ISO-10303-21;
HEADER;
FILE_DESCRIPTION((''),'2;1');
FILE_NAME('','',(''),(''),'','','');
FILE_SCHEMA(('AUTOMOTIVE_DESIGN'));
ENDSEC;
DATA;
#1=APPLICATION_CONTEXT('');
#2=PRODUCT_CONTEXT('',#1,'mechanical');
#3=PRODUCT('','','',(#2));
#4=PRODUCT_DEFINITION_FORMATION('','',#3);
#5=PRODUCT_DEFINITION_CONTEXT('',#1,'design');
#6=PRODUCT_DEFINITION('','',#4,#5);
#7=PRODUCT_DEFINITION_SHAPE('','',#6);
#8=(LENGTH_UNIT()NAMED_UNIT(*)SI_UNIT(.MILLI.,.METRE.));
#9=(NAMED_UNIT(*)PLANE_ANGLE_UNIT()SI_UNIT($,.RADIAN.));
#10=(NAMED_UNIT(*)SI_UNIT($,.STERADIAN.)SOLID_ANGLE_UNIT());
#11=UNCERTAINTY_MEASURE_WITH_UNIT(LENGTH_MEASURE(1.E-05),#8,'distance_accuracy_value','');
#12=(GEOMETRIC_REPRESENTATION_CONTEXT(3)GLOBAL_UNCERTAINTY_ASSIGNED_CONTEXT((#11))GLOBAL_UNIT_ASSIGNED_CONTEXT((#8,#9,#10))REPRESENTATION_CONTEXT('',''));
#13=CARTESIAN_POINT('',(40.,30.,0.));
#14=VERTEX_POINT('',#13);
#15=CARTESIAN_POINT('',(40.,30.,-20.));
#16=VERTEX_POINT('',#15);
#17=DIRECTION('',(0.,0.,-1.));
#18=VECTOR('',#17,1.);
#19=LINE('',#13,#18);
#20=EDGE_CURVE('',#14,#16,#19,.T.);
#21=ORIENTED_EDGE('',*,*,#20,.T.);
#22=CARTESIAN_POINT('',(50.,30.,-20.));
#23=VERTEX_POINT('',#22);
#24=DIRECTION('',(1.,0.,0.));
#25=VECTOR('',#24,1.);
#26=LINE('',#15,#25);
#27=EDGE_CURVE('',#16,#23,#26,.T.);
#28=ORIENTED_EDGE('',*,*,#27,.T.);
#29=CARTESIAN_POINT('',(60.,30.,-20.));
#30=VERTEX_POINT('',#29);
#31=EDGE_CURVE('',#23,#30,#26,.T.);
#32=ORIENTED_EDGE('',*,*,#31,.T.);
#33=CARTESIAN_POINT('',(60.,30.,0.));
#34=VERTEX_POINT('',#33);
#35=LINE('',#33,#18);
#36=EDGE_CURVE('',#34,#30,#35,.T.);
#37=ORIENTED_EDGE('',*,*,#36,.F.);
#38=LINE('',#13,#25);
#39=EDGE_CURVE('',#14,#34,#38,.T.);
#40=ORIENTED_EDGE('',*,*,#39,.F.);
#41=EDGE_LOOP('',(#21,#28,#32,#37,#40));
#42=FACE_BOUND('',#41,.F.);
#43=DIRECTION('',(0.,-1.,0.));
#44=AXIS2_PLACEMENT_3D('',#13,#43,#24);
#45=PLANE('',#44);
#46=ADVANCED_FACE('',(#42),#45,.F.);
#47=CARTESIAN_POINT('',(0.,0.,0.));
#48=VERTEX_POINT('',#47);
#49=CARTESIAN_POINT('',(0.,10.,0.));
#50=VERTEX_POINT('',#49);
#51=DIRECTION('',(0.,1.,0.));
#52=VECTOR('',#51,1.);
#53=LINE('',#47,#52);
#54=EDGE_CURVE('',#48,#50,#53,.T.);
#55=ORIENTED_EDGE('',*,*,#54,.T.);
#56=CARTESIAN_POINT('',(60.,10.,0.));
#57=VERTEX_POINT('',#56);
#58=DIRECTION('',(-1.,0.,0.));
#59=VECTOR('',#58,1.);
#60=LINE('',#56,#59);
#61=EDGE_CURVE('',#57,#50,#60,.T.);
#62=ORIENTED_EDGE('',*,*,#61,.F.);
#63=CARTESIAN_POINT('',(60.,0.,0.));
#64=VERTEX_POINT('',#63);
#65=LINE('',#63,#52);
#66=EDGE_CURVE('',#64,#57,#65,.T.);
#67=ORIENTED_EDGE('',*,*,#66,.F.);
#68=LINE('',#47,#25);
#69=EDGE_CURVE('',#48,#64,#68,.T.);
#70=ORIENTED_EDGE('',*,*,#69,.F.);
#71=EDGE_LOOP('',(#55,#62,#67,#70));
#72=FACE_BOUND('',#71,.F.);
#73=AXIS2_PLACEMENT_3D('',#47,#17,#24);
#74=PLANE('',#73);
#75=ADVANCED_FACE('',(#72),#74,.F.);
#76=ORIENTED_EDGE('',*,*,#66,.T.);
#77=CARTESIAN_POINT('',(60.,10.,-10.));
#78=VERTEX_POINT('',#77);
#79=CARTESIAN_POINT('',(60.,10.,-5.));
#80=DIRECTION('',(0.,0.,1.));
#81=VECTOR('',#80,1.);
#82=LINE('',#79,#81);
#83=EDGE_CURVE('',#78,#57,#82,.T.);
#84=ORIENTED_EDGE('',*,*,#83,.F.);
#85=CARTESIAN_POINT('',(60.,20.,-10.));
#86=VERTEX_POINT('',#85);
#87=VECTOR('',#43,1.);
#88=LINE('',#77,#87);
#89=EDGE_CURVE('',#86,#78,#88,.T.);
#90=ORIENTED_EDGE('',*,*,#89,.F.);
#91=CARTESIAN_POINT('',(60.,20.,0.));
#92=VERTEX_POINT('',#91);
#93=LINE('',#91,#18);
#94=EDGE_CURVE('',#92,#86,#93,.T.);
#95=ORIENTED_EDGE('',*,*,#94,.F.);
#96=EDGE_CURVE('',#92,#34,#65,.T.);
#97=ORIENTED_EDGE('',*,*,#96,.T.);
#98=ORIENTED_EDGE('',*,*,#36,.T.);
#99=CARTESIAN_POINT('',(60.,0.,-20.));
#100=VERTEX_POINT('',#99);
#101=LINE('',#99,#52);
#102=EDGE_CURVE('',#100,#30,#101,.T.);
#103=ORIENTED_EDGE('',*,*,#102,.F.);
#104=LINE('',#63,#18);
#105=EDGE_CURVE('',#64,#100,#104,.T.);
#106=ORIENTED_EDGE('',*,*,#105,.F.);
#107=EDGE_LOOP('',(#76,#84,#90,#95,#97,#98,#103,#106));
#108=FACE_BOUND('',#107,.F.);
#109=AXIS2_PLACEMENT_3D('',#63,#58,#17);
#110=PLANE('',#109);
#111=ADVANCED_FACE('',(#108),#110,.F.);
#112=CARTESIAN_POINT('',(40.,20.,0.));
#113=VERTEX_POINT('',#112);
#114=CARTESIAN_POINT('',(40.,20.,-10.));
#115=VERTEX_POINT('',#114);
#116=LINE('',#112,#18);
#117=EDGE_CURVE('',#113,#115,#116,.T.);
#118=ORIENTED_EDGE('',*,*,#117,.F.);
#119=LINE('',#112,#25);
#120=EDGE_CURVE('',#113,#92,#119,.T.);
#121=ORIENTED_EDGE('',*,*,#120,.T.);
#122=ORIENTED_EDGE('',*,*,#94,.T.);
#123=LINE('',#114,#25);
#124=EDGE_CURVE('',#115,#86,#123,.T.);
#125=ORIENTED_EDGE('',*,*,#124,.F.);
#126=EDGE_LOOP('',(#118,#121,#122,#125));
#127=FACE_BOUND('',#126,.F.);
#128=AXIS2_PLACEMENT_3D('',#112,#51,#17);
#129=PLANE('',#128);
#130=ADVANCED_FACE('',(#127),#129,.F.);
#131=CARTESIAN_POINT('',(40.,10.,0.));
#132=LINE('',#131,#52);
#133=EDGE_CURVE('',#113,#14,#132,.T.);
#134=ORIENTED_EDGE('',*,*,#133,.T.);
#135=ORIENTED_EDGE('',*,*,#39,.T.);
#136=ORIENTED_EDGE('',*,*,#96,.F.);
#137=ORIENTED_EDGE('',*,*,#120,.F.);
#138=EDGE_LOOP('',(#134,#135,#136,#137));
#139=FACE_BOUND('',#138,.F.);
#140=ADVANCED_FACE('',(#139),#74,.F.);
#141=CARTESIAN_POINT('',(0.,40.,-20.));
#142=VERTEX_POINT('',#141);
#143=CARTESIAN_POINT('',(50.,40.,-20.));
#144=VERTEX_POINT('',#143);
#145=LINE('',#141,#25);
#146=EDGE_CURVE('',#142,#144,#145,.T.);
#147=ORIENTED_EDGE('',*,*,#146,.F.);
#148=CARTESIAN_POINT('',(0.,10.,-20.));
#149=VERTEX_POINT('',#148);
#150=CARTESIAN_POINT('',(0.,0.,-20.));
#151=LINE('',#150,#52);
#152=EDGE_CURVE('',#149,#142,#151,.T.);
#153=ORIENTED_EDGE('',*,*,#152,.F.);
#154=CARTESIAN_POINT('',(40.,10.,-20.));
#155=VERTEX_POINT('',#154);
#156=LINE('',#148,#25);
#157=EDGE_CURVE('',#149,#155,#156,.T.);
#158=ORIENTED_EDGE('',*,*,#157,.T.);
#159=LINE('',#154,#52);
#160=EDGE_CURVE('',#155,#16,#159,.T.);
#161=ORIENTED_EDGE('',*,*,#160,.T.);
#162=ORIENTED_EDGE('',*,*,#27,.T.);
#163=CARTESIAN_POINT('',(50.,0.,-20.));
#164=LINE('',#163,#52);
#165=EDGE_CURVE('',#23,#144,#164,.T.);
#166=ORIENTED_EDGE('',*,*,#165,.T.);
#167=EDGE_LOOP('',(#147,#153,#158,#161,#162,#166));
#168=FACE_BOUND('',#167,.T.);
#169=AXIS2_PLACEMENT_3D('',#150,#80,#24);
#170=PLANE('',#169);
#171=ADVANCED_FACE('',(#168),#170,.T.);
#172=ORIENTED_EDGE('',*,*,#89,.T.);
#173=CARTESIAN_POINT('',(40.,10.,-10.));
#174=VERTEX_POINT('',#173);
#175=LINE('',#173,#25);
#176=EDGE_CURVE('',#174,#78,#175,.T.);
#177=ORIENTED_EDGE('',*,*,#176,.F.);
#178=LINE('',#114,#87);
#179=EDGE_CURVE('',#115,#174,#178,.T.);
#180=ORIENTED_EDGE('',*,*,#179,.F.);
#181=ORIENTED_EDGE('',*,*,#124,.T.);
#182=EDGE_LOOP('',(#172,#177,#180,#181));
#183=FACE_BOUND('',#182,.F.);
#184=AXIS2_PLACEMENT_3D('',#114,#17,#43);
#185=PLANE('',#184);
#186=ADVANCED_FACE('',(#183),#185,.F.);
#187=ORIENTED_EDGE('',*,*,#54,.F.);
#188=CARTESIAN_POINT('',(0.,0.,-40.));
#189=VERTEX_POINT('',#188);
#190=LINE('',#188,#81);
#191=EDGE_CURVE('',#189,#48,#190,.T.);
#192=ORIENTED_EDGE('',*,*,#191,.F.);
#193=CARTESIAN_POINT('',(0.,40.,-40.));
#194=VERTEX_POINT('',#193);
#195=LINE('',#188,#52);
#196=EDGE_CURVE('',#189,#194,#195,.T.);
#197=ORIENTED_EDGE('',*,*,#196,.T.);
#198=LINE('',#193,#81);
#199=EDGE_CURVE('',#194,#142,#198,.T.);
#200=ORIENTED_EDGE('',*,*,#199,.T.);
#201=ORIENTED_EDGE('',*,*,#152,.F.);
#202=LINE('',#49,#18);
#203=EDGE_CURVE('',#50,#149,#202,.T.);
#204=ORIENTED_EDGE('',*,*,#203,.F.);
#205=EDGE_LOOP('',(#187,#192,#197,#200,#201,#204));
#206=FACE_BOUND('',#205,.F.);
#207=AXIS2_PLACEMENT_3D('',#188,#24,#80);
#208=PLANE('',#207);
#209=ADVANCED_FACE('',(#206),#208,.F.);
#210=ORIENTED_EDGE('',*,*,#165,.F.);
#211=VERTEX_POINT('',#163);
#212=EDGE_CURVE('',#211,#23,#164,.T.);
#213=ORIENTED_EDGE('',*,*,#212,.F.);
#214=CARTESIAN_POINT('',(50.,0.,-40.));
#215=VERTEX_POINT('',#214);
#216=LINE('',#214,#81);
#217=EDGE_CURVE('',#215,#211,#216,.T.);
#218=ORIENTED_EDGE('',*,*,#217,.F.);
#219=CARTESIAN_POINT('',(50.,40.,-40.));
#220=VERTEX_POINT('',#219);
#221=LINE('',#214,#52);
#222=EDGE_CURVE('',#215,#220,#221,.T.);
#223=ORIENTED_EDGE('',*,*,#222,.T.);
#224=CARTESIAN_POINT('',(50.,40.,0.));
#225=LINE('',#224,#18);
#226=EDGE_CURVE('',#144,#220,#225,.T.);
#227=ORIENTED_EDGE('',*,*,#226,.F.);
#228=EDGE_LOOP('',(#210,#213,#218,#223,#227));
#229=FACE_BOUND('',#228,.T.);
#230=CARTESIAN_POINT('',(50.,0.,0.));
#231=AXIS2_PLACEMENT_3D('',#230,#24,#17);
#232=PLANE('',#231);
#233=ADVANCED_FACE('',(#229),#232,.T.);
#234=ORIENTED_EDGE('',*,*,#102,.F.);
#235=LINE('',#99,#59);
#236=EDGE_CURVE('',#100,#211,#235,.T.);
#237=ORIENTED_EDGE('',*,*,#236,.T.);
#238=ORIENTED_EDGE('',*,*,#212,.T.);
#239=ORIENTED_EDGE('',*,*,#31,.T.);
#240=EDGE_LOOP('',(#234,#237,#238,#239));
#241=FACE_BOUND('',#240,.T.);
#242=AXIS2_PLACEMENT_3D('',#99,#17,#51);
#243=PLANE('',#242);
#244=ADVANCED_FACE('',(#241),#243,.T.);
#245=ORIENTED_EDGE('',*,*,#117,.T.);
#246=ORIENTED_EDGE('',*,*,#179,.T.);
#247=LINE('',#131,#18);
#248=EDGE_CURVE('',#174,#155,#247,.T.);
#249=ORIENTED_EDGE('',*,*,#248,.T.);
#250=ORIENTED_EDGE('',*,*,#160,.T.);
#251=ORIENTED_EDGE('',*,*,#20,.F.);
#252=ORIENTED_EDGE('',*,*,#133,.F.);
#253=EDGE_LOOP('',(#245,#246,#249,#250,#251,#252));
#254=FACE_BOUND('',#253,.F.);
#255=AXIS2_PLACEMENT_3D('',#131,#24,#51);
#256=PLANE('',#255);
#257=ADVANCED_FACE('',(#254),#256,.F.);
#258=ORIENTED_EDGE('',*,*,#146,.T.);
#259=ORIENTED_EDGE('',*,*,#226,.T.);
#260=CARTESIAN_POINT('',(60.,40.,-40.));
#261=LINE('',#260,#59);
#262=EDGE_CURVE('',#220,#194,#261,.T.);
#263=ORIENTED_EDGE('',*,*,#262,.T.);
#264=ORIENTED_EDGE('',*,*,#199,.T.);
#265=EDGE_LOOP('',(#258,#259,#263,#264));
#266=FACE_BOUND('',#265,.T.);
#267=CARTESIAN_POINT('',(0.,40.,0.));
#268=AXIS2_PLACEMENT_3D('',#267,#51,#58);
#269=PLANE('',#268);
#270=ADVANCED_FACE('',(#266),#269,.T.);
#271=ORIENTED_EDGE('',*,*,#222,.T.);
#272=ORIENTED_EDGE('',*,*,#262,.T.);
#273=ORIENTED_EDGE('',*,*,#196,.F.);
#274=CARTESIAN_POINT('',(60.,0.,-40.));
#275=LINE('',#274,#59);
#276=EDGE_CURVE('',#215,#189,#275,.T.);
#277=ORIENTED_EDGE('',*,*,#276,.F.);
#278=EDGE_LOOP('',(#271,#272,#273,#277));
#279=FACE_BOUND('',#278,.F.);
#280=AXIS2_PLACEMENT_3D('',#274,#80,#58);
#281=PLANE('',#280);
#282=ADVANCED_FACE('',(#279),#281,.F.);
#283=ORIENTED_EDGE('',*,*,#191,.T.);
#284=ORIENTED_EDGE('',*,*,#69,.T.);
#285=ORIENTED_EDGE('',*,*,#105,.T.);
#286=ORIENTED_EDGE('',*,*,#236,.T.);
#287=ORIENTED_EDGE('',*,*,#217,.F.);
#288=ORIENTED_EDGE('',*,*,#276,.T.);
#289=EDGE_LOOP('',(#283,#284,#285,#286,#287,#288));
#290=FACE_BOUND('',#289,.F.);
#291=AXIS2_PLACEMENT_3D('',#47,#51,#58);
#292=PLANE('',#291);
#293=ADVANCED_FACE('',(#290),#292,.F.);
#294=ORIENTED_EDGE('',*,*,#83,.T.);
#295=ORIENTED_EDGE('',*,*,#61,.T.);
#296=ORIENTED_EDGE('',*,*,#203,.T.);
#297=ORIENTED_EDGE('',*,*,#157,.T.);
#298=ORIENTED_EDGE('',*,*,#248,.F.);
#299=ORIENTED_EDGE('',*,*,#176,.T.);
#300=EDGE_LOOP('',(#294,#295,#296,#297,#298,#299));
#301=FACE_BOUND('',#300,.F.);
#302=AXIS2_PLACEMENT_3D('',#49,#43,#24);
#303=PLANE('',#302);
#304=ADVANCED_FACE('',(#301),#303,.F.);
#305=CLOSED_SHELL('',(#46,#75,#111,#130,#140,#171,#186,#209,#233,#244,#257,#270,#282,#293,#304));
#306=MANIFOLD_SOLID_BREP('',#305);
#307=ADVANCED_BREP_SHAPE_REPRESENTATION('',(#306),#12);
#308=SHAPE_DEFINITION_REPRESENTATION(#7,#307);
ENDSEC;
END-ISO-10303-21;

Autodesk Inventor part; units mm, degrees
ref_plane "YZ Plane" through (0, 0, 0) normal (1, 0, 0) x (0, 1, 0)
ref_plane "XZ Plane" through (0, 0, 0) normal (0, 1, 0) x (-1, 0, 0)
ref_plane "XY Plane" through (0, 0, 0) normal (0, 0, 1) x (1, 0, 0)
sketch "草圖1" plane through (0, 0, 0) normal (0, 1, 0) x (-1, 0, 0)
  line L0 (0, 0) -> (-60, 0)
  line L1 (-60, 0) -> (-60, -40)
  line L2 (-60, -40) -> (0, -40)
  line L3 (0, -40) -> (0, 0)
  dimension "d0" = 60
  dimension "d1" = 40
extrude "擠出1" add sketch "草圖1" along normal blind 40
sketch "草圖2" plane through (60, 0, 0) normal (1, 0, 0) x (0, 0, -1)
  line L0 (40, 0) -> (40, 40) projected
  line L1 (40, 0) -> (20, 0)
  line L2 (20, 0) -> (20, 55.5046)
  line L3 (20, 55.5046) -> (40, 55.5046)
  line L4 (40, 55.5046) -> (40, 0)
  point P0 (0, 0)
  point P1 (40, 40)
  dimension "d4" = 20
extrude "擠出2" cut sketch "草圖2" against normal blind 10
sketch "草圖3" plane through (0, 0, 0) normal (0, 0, 1) x (1, 0, 0)
  line L0 (0, 40) -> (60, 40) projected
  line L1 (60, 40) -> (60, 0) projected
  line L2 (60, 0) -> (0, 0) projected
  line L3 (0, 0) -> (0, 40) projected
  line L4 (0, 0) -> (0, 40) projected
  line L5 (0, 10) -> (40, 10)
  line L6 (40, 10) -> (40, 30)
  line L7 (40, 30) -> (60, 30)
  line L8 (60, 0) -> (60, 40) projected
  dimension "d7" = 10
  dimension "d8" = 20
  dimension "d9" = 10
extrude "擠出3" cut sketch "草圖3" against normal blind 20 contours L0 L1 L7 L6 L5 L3
sketch "草圖4" plane through (40, 10, 0) normal (-1, 0, 0) x (0, 0, 1)
  line L0 (-20, 30) -> (-20, 20) projected
  line L1 (-20, 20) -> (-20, 0) projected
  line L2 (-20, 0) -> (0, 0) projected
  line L3 (0, 20) -> (0, 0) projected
  line L4 (-20, 20) -> (0, 20) projected
  line L5 (-40, 30) -> (-20, 30) projected
  line L6 (-40, -10) -> (-40, 30) projected
  line L7 (0, -10) -> (-40, -10) projected
  line L8 (0, 0) -> (0, -10) projected
  line L9 (0, 20) -> (0, 0) projected
  line L10 (0, 10) -> (-10, 10)
  line L11 (-10, 10) -> (-10, 0)
  line L12 (-10, 0) -> (0, 0)
  line L13 (0, 0) -> (0, 10)
  point P0 (-10, 0)
  dimension "d12" = 10
  dimension "d13" = 10
  dimension "d14" = 10
extrude "擠出4" cut sketch "草圖4" against normal blind 28 contours L11 L10 L3 L2
properties part number "11" material "鋼、碳鋼"
